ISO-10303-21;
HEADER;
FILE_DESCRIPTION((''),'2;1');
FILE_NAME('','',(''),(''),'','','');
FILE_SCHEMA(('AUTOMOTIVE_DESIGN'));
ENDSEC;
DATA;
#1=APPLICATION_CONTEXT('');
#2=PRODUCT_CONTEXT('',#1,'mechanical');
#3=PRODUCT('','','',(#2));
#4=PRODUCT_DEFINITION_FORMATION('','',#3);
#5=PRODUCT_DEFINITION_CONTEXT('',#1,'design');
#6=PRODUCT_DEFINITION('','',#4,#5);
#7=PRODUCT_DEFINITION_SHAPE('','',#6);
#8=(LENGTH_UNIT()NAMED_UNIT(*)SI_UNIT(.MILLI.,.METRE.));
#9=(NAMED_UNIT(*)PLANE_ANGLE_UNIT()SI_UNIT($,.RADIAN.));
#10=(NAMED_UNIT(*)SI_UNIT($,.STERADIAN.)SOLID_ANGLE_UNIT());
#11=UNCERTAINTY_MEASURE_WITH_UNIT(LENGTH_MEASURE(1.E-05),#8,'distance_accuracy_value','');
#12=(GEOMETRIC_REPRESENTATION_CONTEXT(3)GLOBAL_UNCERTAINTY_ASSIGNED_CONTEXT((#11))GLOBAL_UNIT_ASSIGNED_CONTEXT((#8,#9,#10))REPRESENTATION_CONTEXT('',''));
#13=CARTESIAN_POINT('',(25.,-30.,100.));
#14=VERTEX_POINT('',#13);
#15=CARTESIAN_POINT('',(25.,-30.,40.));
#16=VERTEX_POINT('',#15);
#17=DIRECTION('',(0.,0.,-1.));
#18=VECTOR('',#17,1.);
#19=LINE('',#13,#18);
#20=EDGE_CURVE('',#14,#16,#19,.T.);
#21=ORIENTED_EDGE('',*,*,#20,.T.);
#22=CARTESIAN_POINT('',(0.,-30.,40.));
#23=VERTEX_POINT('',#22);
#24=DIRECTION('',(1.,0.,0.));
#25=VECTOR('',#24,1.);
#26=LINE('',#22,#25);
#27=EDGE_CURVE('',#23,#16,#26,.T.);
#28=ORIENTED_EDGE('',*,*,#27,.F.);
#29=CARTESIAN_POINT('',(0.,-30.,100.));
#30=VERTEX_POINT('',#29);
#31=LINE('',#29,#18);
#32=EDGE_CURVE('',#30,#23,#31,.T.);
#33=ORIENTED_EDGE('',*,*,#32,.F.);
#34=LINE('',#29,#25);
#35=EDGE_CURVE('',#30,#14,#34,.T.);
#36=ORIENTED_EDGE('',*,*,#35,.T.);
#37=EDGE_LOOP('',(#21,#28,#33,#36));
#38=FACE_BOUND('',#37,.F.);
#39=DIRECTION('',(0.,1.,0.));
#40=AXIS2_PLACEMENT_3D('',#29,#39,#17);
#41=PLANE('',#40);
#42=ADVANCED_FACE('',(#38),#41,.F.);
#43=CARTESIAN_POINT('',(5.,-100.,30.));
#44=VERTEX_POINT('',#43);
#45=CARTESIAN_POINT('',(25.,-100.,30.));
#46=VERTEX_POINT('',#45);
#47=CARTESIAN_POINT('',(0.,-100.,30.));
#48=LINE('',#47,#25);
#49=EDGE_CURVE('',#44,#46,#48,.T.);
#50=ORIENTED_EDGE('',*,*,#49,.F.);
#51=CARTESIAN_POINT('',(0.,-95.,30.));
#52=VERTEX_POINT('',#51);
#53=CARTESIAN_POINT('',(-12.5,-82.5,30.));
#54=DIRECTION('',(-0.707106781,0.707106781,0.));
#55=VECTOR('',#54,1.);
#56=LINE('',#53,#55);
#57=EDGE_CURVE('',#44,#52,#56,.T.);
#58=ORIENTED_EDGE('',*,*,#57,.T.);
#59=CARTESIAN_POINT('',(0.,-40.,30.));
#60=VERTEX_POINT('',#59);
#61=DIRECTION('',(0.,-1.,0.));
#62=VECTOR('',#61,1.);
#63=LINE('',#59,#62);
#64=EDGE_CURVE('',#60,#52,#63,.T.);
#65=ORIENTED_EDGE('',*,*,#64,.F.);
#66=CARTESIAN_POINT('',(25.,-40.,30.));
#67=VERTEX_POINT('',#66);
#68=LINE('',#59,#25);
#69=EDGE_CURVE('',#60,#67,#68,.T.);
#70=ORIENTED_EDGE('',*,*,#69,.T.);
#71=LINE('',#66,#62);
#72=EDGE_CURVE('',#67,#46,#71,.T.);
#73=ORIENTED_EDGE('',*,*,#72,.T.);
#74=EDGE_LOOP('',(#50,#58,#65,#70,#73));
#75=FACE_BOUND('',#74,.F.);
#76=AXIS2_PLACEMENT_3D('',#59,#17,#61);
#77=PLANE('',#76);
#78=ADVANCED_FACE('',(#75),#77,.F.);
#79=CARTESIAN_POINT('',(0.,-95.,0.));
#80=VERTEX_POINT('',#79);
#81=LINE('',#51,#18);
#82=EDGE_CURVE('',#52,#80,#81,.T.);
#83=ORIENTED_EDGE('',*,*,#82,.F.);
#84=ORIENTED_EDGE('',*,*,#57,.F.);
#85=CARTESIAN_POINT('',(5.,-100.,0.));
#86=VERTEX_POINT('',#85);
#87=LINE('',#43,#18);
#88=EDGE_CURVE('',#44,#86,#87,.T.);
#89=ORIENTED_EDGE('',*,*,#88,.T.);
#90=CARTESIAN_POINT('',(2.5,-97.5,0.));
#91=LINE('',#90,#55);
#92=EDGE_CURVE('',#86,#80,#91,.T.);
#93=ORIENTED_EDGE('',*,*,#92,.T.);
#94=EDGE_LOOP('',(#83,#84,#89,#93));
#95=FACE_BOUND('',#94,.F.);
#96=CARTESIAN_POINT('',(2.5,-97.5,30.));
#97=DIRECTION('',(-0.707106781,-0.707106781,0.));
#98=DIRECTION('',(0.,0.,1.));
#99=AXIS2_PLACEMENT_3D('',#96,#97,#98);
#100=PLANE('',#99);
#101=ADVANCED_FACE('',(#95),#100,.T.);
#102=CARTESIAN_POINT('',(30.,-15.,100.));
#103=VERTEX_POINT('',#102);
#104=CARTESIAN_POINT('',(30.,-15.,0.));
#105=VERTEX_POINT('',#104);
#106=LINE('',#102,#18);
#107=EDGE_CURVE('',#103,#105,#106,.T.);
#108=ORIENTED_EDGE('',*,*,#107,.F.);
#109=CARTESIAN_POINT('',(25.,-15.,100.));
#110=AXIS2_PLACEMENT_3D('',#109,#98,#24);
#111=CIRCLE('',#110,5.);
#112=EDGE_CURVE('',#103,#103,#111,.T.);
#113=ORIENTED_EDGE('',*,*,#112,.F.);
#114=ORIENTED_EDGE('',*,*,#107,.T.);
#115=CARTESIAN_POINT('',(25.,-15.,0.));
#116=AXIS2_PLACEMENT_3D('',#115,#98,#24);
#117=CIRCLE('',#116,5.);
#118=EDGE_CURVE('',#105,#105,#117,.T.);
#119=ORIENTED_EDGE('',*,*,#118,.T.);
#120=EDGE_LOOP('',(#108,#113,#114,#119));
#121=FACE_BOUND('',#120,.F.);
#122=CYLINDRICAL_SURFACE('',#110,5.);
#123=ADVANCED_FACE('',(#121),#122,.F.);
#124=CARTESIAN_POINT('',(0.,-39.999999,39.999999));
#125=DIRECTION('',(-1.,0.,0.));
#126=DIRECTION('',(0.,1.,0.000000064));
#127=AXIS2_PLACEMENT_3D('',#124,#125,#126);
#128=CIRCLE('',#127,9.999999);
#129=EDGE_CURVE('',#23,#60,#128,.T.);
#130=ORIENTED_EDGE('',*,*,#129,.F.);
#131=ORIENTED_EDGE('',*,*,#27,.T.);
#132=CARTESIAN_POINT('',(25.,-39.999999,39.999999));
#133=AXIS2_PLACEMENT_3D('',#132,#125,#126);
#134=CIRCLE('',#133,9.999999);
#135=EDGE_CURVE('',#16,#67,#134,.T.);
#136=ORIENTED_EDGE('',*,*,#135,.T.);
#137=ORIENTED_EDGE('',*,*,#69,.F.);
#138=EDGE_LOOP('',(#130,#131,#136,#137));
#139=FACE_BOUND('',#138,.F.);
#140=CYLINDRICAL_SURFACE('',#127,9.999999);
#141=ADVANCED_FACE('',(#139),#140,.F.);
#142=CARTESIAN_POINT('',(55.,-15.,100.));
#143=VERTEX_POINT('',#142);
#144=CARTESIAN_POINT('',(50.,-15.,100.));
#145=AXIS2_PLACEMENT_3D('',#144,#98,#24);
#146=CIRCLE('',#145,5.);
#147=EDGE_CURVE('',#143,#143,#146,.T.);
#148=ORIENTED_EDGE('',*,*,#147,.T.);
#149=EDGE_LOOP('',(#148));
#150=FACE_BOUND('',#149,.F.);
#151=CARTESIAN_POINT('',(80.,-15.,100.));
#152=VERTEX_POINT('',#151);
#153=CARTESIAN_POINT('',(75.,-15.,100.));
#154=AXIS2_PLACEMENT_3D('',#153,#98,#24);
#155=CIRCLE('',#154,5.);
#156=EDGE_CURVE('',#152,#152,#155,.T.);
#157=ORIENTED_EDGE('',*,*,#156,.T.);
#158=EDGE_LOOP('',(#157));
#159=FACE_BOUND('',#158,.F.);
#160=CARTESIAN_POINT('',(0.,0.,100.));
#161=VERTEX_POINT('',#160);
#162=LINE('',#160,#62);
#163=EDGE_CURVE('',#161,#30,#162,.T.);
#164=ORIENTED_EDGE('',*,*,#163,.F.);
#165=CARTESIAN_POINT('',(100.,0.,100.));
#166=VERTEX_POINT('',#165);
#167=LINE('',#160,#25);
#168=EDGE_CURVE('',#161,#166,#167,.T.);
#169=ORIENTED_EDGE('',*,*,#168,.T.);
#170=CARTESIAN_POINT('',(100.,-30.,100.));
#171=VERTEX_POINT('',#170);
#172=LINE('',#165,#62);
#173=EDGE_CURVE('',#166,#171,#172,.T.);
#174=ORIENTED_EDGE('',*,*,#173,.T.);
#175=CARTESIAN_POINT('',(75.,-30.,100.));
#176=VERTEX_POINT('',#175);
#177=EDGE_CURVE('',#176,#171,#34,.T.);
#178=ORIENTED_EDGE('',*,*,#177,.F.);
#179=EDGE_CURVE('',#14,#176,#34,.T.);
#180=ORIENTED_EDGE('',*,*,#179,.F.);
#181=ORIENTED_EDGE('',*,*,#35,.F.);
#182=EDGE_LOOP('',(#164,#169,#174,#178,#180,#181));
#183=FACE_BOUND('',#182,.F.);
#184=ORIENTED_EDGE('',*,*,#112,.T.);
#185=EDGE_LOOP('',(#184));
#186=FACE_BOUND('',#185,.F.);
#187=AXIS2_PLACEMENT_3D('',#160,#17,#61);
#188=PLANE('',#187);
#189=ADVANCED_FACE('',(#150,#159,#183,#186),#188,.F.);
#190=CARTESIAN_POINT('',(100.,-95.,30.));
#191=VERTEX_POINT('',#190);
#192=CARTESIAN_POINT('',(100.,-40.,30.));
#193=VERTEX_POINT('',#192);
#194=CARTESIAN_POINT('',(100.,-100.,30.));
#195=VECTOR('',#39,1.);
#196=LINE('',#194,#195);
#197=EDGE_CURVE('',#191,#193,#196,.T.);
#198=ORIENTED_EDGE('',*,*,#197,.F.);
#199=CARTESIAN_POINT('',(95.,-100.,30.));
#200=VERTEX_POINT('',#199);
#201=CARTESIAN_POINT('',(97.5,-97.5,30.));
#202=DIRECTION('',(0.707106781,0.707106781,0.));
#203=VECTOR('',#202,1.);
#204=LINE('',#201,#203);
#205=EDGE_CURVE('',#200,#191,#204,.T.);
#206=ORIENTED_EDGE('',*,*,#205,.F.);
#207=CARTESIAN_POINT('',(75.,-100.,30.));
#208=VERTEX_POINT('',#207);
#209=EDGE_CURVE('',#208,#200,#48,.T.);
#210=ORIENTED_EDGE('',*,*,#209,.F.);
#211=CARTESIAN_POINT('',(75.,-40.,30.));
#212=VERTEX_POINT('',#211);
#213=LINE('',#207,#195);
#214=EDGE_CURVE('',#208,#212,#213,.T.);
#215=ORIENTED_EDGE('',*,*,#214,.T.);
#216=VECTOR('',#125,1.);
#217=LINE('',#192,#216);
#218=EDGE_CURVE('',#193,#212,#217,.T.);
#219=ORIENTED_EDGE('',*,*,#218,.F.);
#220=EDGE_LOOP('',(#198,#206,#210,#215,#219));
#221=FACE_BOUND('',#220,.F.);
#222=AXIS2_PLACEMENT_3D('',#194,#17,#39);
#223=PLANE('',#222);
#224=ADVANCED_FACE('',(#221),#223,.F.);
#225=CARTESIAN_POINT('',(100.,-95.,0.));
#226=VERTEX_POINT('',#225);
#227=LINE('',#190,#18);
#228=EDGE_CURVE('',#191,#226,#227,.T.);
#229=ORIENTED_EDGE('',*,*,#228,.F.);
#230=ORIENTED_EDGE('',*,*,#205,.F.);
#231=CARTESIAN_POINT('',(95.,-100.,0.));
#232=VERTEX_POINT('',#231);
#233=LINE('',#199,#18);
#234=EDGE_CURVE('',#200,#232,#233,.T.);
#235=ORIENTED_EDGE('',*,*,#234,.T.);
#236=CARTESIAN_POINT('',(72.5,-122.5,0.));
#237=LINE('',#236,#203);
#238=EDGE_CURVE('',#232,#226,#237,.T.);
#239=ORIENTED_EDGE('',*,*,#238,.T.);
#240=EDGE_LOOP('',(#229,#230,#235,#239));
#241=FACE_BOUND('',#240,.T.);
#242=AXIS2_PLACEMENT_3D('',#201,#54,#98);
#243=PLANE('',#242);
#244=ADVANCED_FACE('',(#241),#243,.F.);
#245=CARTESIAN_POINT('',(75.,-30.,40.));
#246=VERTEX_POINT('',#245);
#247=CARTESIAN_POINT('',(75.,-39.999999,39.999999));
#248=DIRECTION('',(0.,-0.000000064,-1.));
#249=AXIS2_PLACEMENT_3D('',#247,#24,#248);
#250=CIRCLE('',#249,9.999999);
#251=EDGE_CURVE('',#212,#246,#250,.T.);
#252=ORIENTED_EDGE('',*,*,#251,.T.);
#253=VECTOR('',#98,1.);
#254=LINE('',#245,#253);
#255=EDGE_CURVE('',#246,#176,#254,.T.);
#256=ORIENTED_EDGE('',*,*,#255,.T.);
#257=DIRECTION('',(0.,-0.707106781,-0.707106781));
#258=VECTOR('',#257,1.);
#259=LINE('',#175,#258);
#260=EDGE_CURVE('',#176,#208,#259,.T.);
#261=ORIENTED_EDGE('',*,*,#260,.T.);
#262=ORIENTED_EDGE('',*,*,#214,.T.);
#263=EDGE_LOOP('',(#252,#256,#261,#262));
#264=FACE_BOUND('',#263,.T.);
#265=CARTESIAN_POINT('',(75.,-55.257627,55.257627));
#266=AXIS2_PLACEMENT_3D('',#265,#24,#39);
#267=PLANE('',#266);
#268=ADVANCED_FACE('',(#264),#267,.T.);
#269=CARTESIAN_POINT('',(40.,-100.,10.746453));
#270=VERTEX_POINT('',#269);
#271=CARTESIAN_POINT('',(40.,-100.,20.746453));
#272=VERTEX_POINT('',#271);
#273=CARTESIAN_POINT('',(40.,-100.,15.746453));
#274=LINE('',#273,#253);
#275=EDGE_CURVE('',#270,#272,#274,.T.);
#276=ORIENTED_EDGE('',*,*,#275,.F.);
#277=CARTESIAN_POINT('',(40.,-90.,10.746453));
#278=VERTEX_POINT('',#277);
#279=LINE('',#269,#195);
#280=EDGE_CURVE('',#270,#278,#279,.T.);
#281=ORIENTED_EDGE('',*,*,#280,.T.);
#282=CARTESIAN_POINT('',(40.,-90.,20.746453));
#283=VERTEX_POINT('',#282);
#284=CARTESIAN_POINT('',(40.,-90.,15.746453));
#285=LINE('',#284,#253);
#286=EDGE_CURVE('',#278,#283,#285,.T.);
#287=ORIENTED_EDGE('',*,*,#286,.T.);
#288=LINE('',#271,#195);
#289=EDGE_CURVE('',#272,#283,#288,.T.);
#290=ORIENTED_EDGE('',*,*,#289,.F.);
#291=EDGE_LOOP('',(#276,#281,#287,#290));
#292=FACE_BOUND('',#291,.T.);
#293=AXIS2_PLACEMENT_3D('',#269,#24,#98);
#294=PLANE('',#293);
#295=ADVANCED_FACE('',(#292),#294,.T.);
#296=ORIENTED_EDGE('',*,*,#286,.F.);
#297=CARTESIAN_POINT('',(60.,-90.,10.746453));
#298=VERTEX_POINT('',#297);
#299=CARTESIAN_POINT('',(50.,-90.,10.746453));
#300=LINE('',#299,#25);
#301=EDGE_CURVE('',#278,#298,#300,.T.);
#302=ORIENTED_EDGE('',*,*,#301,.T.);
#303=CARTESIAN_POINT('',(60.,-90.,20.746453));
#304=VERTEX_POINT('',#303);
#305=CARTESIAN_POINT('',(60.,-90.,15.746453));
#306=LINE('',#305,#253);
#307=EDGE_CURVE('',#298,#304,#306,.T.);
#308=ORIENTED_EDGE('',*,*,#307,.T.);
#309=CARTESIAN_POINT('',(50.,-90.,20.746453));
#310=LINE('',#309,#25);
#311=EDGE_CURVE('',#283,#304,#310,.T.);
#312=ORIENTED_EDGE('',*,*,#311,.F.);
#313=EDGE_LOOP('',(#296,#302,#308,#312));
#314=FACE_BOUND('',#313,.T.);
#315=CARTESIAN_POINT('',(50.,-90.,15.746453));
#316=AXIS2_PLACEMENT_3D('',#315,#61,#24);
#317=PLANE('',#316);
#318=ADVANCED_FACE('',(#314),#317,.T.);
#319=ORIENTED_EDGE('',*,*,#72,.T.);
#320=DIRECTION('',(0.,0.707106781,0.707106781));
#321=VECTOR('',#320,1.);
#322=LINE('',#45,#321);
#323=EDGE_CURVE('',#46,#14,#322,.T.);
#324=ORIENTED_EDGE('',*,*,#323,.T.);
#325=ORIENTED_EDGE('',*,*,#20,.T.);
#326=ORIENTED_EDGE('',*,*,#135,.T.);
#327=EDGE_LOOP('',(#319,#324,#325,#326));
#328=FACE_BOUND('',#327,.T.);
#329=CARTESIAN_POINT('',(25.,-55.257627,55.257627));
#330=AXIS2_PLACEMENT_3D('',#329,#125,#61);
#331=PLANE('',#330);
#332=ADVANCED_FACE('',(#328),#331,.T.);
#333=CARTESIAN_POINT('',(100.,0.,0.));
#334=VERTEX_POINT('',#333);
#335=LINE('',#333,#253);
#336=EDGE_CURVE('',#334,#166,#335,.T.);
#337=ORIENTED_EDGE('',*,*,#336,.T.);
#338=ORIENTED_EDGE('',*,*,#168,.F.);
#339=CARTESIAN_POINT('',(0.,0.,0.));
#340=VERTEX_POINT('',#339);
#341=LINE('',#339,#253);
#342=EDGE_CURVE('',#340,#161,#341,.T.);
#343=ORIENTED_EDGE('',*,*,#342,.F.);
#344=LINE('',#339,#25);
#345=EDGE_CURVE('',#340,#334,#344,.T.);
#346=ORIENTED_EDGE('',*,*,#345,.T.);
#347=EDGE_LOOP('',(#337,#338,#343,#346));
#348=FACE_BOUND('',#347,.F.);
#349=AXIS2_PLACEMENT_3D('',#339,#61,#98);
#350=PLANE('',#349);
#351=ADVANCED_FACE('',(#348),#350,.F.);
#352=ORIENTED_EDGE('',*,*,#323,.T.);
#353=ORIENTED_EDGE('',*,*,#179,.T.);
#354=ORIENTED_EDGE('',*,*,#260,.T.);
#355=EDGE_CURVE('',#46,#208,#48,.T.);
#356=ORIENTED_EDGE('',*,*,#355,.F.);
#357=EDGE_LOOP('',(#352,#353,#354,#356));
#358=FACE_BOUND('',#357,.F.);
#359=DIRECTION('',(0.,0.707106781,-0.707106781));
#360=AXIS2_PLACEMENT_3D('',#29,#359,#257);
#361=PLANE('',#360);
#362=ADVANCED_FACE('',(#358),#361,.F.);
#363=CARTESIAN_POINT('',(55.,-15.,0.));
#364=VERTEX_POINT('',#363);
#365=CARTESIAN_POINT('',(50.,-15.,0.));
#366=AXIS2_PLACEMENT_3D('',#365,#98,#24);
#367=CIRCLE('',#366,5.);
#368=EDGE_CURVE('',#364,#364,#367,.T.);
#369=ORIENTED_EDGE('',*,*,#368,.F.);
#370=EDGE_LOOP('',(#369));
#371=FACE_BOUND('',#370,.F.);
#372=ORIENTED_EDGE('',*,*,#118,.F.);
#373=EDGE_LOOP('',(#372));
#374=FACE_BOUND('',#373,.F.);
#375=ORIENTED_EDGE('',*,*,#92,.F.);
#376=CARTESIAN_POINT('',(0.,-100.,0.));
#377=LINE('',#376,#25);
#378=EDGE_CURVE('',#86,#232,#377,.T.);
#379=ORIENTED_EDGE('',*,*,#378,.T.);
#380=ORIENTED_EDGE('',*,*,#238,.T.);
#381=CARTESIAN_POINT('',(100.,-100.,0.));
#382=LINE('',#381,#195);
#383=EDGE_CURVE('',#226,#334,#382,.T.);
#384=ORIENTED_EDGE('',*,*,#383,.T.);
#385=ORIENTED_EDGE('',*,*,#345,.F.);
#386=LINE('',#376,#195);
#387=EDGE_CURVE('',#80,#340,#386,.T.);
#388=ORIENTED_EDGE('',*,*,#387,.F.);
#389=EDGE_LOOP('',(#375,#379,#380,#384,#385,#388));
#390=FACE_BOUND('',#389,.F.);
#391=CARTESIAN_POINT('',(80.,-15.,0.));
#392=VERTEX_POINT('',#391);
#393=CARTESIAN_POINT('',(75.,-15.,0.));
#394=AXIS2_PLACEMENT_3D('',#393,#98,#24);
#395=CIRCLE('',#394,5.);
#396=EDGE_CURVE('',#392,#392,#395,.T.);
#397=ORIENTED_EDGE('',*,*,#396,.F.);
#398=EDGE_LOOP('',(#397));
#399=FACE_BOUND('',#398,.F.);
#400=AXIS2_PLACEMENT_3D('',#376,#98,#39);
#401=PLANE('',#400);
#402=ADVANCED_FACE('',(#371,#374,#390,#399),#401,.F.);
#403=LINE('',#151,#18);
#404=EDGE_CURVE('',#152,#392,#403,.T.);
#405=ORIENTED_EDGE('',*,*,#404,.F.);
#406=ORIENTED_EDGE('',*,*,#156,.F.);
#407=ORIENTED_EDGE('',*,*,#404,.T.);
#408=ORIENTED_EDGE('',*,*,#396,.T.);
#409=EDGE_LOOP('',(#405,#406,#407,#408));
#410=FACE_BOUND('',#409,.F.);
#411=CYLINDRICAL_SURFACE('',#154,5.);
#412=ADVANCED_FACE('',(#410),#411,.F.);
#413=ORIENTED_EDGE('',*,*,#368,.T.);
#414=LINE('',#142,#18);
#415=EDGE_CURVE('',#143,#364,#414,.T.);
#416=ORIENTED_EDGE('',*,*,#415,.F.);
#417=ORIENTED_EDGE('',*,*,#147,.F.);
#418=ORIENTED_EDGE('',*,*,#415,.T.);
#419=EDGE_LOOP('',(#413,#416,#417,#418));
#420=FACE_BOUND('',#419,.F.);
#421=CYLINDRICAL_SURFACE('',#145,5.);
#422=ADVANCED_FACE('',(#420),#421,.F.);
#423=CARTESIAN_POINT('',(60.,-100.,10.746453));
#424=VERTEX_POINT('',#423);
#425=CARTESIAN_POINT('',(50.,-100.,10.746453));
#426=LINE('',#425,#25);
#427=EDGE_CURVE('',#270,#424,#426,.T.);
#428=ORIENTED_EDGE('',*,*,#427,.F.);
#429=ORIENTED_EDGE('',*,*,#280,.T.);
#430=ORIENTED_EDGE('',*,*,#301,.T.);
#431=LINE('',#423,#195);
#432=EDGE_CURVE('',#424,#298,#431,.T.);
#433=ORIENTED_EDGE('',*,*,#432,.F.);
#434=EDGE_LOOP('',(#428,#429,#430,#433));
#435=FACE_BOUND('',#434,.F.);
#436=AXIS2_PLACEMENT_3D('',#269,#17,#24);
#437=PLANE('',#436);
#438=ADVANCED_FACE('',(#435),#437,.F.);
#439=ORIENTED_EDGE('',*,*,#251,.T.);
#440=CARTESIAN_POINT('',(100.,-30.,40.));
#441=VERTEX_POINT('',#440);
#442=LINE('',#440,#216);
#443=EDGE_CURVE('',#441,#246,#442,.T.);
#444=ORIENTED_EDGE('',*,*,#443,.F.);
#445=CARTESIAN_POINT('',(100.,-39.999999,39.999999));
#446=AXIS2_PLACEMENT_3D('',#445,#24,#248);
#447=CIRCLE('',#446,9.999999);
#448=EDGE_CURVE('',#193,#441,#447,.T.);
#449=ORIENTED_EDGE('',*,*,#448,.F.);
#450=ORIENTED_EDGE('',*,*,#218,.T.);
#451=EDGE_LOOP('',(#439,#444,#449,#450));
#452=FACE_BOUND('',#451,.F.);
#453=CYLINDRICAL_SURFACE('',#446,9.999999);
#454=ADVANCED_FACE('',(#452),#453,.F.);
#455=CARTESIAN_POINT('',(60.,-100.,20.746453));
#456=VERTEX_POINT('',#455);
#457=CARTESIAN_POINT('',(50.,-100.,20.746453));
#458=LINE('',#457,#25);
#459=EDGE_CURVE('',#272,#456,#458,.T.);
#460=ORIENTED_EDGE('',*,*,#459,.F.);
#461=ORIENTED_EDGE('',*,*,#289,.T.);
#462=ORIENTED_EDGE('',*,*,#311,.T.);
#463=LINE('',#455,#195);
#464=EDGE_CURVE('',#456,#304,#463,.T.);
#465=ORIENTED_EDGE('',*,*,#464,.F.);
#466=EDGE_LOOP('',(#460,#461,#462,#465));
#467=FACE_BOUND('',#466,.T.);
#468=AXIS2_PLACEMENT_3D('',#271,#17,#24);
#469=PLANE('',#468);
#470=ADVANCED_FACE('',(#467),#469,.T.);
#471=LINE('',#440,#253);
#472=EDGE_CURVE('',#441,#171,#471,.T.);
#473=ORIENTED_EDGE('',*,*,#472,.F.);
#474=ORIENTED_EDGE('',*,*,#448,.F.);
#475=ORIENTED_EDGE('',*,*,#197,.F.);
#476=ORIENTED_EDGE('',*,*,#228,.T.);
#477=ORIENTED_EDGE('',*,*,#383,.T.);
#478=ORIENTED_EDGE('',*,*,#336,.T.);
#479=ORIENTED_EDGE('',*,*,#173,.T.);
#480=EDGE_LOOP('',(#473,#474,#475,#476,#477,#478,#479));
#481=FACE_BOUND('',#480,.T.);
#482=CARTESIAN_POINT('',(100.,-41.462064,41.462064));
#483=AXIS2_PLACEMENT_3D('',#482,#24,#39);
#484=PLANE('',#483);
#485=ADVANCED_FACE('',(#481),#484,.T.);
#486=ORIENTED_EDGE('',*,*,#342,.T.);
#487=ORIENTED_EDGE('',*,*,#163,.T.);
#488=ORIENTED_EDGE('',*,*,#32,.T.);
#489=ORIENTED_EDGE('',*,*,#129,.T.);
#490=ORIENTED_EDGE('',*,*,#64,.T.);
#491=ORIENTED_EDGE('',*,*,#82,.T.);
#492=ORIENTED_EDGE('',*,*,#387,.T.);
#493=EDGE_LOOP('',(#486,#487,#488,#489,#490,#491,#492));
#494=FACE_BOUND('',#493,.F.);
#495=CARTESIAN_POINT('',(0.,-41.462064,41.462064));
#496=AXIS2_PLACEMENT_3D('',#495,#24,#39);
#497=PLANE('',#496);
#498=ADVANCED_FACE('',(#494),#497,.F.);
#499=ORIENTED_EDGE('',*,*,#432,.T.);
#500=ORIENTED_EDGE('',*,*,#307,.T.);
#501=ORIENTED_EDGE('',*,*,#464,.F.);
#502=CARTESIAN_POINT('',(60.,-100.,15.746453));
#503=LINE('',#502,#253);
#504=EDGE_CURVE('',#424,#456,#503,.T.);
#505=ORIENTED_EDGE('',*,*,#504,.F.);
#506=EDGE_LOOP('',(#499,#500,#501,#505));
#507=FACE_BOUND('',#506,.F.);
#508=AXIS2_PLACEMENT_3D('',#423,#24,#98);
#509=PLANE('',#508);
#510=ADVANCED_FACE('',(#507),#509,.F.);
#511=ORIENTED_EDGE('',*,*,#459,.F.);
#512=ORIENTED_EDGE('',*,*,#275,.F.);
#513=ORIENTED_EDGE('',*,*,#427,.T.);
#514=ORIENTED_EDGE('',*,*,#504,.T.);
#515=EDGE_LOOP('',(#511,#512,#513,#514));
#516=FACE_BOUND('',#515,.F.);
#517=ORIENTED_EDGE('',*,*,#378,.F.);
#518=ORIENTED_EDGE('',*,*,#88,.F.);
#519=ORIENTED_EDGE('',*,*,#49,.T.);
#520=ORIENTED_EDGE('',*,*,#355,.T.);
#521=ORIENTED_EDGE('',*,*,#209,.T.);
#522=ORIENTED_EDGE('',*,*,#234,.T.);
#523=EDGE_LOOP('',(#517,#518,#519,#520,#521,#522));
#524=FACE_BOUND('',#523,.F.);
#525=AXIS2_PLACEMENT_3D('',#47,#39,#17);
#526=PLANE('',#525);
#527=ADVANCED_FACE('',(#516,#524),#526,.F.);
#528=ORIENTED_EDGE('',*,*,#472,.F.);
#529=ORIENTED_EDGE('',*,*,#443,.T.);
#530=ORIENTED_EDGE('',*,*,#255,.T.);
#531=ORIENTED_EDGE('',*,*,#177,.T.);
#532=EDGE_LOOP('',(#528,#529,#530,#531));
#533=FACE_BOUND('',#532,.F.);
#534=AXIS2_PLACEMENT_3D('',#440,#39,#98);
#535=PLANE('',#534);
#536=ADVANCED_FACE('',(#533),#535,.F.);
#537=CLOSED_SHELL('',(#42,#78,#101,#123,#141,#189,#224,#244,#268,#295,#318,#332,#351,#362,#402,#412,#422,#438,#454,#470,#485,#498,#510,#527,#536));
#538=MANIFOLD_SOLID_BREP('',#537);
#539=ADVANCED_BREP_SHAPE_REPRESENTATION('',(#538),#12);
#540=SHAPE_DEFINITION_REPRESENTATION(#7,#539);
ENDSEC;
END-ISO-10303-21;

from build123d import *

# Parameters (mm, degrees)
F1_DEPTH = 100
F3_DEPTH = 25
F5_DEPTH = 25
F6_R     = 5
F7_DEPTH = 100
F8_W     = 20
F8_H     = 10
F9_DEPTH = 10
F10_SIZE = 5
F11_SIZE = 5


with BuildPart() as f1:
    # F0 (on Right) → F1 (new body)
    with BuildSketch(Plane.YZ):
        Polygon((-100, 0), (0, 0), (0, 100), (-30, 100), (-100, 30), align=None)
    extrude(amount=F1_DEPTH)

    # F2 (on face) → F3 (cut)
    with BuildSketch(Plane(origin=(0, 0, 0), x_dir=(0, -1, 0), z_dir=(-1, 0, 0))):
        with BuildLine():
            Line((100, 30), (30, 100))
            Line((30, 100), (30, 40))
            ThreePointArc((30, 40), (32.928932, 32.928932), (40, 30))
            Line((40, 30), (100, 30))
        make_face()
    extrude(amount=-F3_DEPTH, mode=Mode.SUBTRACT)

    # F4 (on face) → F5 (cut)
    with BuildSketch(Plane.YZ.offset(100)):
        with BuildLine():
            Line((-30, 40), (-30, 100))
            Line((-30, 100), (-100, 30))
            Line((-100, 30), (-40, 30))
            ThreePointArc((-40, 30), (-32.928932, 32.928932), (-30, 40))
        make_face()
    extrude(amount=-F5_DEPTH, mode=Mode.SUBTRACT)

    # F6 (on face) → F7 (cut)
    with BuildSketch(Plane.XY.offset(100)):
        with Locations((25, -15)):
            Circle(F6_R)
        with Locations((50, -15)):
            Circle(F6_R)
        with Locations((75, -15)):
            Circle(F6_R)
    extrude(amount=-F7_DEPTH, mode=Mode.SUBTRACT)

    # F8 (on face) → F9 (cut)
    with BuildSketch(Plane.XZ.offset(100)):
        with Locations((50, 15.746453)):
            Rectangle(F8_W, F8_H)
    extrude(amount=-F9_DEPTH, mode=Mode.SUBTRACT)

    # F10
    f10_edges = [f1.edges().sort_by_distance(p)[0] for p in [
        (0, -100, 15),
    ]]
    chamfer(f10_edges, length=F10_SIZE)

    # F11
    f11_edges = [f1.edges().sort_by_distance(p)[0] for p in [
        (100, -100, 15),
    ]]
    chamfer(f11_edges, length=F11_SIZE)


solid = f1.part
